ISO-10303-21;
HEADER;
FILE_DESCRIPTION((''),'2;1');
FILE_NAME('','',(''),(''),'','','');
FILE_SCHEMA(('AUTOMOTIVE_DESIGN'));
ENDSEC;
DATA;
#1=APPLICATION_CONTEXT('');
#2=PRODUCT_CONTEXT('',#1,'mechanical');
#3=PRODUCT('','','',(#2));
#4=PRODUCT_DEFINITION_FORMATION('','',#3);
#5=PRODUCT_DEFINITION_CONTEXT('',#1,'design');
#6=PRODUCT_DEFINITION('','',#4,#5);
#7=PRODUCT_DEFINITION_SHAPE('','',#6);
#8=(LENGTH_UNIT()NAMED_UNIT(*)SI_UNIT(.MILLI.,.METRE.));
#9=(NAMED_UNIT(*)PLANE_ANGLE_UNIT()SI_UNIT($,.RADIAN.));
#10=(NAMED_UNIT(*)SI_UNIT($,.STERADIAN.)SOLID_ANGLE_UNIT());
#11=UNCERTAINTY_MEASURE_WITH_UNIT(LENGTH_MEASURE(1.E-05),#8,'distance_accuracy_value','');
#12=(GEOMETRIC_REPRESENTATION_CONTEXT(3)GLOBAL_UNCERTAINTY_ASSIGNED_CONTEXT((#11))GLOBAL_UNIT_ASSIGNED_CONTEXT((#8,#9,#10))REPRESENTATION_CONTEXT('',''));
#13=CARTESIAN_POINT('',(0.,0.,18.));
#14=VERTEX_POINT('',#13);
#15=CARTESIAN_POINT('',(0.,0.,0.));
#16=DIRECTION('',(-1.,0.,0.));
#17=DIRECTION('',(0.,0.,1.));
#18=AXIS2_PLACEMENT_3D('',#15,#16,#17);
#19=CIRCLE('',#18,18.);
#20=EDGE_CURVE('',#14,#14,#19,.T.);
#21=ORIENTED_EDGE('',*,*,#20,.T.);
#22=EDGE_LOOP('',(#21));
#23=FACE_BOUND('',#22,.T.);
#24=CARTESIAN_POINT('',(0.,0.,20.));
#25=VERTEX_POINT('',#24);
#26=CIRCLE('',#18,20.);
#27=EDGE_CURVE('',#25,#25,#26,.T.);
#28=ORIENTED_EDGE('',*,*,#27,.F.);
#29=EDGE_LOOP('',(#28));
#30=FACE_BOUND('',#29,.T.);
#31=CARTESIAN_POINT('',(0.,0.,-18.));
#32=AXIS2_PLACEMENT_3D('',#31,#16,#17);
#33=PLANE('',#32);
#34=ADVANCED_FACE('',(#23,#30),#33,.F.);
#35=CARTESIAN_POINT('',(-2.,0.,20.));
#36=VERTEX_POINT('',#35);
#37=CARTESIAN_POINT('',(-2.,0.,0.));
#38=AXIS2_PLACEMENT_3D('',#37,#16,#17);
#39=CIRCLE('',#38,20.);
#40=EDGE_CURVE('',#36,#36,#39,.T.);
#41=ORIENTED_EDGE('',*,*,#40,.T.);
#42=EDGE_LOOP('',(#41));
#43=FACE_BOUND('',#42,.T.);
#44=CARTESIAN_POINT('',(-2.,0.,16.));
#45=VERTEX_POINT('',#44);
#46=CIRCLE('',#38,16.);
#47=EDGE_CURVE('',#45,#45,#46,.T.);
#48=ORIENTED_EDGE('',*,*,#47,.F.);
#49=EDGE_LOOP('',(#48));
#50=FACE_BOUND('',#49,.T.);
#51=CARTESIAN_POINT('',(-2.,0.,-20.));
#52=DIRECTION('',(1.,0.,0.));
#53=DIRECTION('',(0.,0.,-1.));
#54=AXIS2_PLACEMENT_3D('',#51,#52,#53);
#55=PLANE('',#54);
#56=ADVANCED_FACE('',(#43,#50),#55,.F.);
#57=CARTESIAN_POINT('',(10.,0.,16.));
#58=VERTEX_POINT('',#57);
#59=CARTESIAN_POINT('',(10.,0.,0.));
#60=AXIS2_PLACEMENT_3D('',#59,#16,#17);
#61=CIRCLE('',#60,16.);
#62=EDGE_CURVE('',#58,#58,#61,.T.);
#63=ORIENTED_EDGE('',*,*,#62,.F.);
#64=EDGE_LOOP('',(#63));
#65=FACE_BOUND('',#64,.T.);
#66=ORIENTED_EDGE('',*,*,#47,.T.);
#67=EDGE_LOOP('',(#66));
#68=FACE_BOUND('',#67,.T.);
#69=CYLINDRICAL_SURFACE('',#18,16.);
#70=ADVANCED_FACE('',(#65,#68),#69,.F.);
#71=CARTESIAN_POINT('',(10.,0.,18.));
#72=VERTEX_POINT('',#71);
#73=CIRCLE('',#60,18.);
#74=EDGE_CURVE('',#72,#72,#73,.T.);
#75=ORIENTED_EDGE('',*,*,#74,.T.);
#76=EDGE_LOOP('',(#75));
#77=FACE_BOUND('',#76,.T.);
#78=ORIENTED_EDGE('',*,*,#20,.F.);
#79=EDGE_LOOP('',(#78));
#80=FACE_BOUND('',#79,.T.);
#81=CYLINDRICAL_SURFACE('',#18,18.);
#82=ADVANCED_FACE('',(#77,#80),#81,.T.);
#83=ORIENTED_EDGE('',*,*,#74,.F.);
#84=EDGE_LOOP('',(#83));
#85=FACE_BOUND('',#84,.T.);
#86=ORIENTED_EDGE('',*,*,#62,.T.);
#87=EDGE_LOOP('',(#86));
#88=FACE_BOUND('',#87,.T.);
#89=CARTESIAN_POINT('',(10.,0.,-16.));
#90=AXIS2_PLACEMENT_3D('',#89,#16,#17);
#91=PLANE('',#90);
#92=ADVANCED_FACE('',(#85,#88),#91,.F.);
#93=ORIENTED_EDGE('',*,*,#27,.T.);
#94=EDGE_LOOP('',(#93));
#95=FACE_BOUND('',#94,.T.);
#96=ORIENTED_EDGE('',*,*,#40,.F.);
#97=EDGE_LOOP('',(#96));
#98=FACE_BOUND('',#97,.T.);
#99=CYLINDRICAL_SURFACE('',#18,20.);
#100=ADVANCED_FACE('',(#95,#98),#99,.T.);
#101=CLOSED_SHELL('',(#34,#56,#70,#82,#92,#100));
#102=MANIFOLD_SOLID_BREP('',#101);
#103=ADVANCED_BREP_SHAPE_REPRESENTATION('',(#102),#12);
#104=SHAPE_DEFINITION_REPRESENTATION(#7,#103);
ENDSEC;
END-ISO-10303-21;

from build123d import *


with BuildPart() as part:
    # Sketch1 → Revolve1 (revolve)
    with BuildSketch(Plane(origin=(0, 0, 0), x_dir=(1, 0, 0), z_dir=(0, 1, 0)), mode=Mode.PRIVATE) as revolve1_sk:
        Polygon((-2, 16), (10, 16), (10, 18), (0, 18), (0, 20), (-2, 20), align=None)
    revolve(revolve1_sk.sketch.rotate(Axis((0, 0, 0), (1, 0, 0)), 180), axis=Axis((0, 0, 0), (1, 0, 0)))


solid = part.part
